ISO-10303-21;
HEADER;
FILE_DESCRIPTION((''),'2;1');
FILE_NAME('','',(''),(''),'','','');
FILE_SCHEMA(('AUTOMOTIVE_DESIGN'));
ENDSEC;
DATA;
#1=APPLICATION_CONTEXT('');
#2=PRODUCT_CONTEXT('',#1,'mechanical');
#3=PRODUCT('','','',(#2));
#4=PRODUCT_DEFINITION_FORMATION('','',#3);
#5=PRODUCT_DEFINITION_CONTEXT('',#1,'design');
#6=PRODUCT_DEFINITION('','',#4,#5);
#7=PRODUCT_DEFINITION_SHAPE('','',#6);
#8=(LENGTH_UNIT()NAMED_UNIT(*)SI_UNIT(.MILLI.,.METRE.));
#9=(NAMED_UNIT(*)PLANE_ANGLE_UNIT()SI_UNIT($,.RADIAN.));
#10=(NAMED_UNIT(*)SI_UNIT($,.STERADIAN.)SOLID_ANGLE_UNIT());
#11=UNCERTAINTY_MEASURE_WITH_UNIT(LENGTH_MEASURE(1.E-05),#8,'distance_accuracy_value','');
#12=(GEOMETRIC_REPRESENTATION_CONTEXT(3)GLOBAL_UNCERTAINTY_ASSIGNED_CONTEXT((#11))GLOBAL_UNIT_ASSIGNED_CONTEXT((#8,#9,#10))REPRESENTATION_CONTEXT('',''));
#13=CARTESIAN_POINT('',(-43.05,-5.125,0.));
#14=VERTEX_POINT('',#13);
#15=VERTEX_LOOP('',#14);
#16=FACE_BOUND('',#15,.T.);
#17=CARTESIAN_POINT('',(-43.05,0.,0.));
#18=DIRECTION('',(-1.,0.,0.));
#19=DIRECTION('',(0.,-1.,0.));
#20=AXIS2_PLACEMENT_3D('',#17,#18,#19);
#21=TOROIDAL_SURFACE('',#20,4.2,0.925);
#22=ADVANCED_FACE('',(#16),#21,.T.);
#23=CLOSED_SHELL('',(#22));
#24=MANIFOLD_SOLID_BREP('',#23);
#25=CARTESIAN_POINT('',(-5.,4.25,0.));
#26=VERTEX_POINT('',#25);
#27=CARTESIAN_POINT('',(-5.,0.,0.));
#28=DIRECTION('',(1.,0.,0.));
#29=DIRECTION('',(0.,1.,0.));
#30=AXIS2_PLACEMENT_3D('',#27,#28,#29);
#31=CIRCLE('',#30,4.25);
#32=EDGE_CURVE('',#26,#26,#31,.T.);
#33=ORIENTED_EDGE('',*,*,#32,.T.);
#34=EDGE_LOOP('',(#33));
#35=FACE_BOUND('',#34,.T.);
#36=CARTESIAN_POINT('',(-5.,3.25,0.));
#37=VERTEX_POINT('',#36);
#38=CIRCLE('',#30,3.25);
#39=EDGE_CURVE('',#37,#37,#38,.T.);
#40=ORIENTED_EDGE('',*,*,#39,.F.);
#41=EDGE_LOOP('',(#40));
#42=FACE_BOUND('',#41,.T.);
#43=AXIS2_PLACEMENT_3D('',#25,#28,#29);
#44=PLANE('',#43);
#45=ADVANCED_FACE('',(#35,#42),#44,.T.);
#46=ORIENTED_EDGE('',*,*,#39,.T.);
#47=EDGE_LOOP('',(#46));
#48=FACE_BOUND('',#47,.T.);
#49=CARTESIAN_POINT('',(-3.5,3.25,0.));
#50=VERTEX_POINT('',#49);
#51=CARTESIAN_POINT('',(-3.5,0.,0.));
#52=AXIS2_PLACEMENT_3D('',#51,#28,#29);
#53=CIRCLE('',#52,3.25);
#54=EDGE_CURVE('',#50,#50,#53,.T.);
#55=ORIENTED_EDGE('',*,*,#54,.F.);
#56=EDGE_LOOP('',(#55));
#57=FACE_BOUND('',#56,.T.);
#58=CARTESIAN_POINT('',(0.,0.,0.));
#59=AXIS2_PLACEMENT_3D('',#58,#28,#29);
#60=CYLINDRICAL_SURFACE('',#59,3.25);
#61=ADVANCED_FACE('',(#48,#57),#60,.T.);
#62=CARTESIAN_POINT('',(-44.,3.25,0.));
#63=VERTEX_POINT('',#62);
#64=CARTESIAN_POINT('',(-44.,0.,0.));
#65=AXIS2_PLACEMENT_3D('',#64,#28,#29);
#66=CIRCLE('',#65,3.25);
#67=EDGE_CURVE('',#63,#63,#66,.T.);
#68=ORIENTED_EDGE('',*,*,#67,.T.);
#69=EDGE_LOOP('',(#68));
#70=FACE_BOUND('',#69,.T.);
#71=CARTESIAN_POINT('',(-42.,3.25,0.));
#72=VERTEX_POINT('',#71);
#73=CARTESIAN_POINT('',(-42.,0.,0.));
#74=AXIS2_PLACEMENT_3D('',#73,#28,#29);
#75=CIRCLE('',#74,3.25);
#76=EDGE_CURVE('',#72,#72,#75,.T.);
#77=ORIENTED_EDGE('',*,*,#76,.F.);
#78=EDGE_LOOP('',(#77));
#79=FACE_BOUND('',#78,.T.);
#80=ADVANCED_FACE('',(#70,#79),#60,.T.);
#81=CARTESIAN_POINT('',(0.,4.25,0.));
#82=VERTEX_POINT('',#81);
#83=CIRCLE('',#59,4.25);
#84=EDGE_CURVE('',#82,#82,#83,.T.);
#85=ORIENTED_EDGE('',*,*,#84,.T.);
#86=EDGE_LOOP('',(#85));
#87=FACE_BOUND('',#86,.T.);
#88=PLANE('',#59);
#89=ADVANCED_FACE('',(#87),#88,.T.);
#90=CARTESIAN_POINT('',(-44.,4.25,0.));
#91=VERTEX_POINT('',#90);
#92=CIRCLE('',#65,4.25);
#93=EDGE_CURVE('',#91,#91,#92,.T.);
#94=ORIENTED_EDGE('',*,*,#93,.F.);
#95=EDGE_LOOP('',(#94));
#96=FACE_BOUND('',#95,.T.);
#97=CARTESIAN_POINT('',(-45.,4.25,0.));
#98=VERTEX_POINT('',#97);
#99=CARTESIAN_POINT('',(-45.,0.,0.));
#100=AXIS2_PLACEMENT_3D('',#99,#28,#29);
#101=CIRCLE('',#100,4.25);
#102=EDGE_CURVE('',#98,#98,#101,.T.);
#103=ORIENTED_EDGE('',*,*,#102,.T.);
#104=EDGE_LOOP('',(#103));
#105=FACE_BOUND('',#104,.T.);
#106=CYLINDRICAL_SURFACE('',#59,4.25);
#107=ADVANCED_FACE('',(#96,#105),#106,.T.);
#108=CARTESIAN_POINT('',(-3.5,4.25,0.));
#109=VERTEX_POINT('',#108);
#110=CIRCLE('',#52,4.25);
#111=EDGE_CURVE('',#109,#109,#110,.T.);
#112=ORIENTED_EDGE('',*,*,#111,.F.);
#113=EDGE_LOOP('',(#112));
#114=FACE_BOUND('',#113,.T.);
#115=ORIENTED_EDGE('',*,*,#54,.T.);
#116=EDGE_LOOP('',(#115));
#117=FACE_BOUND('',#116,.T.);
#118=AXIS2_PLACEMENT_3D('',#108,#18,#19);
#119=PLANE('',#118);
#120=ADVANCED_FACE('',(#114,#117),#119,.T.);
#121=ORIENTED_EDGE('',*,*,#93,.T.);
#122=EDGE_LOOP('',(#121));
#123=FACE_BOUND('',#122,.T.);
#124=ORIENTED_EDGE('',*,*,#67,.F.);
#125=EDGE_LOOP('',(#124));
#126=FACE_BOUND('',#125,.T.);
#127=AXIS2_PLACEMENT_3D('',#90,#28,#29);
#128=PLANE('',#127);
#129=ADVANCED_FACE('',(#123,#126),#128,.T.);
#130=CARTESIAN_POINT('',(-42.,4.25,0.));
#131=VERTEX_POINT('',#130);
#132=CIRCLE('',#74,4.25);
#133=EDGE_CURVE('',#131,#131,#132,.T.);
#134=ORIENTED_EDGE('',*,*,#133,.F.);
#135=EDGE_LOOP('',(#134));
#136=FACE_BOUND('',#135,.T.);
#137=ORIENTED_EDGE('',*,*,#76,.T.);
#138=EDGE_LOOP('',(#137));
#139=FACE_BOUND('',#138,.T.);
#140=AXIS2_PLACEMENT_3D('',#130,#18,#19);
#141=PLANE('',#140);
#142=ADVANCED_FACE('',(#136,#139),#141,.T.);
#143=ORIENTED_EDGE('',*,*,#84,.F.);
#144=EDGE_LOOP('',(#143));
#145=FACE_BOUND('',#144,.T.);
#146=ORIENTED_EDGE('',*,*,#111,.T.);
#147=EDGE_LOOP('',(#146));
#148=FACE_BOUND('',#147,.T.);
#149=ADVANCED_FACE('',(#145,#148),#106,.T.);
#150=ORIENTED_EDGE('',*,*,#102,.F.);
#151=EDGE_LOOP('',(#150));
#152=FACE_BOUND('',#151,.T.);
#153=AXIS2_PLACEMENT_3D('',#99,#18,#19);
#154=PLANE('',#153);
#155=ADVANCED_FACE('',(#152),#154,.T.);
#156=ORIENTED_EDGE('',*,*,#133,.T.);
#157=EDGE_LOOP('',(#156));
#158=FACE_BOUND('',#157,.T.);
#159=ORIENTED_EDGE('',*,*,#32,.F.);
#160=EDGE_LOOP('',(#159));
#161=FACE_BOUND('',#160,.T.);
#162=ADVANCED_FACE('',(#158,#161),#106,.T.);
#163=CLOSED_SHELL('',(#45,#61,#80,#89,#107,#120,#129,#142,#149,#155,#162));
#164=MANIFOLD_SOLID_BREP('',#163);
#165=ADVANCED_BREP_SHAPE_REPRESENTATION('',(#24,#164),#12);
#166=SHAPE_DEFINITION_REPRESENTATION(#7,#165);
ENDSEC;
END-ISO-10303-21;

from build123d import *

# Parameters (mm, degrees)
SKETCH2_R = 0.925


with BuildPart() as part:
    # Sketch1 → Revolve1 (revolve)
    with BuildSketch(Plane.XY):
        Polygon((-44, 4.25), (-45, 4.25), (-45, 0), (0, 0), (0, 4.25), (-3.5, 4.25), (-3.5, 3.25), (-5, 3.25), (-5, 4.25), (-42, 4.25), (-42, 3.25), (-44, 3.25), align=None)
    revolve(axis=Axis((0, 0, 0), (-1, 0, 0)))


with BuildPart() as body_2:
    # Sketch2 → Revolve2 (revolve)
    with BuildSketch(Plane.XY, mode=Mode.PRIVATE) as revolve2_sk:
        with Locations((-43.05, 4.2)):
            Circle(SKETCH2_R)
    revolve(revolve2_sk.sketch.rotate(Axis((0, 0, 0), (1, 0, 0)), 180), axis=Axis((0, 0, 0), (1, 0, 0)))


solid = Compound([part.part, body_2.part])
